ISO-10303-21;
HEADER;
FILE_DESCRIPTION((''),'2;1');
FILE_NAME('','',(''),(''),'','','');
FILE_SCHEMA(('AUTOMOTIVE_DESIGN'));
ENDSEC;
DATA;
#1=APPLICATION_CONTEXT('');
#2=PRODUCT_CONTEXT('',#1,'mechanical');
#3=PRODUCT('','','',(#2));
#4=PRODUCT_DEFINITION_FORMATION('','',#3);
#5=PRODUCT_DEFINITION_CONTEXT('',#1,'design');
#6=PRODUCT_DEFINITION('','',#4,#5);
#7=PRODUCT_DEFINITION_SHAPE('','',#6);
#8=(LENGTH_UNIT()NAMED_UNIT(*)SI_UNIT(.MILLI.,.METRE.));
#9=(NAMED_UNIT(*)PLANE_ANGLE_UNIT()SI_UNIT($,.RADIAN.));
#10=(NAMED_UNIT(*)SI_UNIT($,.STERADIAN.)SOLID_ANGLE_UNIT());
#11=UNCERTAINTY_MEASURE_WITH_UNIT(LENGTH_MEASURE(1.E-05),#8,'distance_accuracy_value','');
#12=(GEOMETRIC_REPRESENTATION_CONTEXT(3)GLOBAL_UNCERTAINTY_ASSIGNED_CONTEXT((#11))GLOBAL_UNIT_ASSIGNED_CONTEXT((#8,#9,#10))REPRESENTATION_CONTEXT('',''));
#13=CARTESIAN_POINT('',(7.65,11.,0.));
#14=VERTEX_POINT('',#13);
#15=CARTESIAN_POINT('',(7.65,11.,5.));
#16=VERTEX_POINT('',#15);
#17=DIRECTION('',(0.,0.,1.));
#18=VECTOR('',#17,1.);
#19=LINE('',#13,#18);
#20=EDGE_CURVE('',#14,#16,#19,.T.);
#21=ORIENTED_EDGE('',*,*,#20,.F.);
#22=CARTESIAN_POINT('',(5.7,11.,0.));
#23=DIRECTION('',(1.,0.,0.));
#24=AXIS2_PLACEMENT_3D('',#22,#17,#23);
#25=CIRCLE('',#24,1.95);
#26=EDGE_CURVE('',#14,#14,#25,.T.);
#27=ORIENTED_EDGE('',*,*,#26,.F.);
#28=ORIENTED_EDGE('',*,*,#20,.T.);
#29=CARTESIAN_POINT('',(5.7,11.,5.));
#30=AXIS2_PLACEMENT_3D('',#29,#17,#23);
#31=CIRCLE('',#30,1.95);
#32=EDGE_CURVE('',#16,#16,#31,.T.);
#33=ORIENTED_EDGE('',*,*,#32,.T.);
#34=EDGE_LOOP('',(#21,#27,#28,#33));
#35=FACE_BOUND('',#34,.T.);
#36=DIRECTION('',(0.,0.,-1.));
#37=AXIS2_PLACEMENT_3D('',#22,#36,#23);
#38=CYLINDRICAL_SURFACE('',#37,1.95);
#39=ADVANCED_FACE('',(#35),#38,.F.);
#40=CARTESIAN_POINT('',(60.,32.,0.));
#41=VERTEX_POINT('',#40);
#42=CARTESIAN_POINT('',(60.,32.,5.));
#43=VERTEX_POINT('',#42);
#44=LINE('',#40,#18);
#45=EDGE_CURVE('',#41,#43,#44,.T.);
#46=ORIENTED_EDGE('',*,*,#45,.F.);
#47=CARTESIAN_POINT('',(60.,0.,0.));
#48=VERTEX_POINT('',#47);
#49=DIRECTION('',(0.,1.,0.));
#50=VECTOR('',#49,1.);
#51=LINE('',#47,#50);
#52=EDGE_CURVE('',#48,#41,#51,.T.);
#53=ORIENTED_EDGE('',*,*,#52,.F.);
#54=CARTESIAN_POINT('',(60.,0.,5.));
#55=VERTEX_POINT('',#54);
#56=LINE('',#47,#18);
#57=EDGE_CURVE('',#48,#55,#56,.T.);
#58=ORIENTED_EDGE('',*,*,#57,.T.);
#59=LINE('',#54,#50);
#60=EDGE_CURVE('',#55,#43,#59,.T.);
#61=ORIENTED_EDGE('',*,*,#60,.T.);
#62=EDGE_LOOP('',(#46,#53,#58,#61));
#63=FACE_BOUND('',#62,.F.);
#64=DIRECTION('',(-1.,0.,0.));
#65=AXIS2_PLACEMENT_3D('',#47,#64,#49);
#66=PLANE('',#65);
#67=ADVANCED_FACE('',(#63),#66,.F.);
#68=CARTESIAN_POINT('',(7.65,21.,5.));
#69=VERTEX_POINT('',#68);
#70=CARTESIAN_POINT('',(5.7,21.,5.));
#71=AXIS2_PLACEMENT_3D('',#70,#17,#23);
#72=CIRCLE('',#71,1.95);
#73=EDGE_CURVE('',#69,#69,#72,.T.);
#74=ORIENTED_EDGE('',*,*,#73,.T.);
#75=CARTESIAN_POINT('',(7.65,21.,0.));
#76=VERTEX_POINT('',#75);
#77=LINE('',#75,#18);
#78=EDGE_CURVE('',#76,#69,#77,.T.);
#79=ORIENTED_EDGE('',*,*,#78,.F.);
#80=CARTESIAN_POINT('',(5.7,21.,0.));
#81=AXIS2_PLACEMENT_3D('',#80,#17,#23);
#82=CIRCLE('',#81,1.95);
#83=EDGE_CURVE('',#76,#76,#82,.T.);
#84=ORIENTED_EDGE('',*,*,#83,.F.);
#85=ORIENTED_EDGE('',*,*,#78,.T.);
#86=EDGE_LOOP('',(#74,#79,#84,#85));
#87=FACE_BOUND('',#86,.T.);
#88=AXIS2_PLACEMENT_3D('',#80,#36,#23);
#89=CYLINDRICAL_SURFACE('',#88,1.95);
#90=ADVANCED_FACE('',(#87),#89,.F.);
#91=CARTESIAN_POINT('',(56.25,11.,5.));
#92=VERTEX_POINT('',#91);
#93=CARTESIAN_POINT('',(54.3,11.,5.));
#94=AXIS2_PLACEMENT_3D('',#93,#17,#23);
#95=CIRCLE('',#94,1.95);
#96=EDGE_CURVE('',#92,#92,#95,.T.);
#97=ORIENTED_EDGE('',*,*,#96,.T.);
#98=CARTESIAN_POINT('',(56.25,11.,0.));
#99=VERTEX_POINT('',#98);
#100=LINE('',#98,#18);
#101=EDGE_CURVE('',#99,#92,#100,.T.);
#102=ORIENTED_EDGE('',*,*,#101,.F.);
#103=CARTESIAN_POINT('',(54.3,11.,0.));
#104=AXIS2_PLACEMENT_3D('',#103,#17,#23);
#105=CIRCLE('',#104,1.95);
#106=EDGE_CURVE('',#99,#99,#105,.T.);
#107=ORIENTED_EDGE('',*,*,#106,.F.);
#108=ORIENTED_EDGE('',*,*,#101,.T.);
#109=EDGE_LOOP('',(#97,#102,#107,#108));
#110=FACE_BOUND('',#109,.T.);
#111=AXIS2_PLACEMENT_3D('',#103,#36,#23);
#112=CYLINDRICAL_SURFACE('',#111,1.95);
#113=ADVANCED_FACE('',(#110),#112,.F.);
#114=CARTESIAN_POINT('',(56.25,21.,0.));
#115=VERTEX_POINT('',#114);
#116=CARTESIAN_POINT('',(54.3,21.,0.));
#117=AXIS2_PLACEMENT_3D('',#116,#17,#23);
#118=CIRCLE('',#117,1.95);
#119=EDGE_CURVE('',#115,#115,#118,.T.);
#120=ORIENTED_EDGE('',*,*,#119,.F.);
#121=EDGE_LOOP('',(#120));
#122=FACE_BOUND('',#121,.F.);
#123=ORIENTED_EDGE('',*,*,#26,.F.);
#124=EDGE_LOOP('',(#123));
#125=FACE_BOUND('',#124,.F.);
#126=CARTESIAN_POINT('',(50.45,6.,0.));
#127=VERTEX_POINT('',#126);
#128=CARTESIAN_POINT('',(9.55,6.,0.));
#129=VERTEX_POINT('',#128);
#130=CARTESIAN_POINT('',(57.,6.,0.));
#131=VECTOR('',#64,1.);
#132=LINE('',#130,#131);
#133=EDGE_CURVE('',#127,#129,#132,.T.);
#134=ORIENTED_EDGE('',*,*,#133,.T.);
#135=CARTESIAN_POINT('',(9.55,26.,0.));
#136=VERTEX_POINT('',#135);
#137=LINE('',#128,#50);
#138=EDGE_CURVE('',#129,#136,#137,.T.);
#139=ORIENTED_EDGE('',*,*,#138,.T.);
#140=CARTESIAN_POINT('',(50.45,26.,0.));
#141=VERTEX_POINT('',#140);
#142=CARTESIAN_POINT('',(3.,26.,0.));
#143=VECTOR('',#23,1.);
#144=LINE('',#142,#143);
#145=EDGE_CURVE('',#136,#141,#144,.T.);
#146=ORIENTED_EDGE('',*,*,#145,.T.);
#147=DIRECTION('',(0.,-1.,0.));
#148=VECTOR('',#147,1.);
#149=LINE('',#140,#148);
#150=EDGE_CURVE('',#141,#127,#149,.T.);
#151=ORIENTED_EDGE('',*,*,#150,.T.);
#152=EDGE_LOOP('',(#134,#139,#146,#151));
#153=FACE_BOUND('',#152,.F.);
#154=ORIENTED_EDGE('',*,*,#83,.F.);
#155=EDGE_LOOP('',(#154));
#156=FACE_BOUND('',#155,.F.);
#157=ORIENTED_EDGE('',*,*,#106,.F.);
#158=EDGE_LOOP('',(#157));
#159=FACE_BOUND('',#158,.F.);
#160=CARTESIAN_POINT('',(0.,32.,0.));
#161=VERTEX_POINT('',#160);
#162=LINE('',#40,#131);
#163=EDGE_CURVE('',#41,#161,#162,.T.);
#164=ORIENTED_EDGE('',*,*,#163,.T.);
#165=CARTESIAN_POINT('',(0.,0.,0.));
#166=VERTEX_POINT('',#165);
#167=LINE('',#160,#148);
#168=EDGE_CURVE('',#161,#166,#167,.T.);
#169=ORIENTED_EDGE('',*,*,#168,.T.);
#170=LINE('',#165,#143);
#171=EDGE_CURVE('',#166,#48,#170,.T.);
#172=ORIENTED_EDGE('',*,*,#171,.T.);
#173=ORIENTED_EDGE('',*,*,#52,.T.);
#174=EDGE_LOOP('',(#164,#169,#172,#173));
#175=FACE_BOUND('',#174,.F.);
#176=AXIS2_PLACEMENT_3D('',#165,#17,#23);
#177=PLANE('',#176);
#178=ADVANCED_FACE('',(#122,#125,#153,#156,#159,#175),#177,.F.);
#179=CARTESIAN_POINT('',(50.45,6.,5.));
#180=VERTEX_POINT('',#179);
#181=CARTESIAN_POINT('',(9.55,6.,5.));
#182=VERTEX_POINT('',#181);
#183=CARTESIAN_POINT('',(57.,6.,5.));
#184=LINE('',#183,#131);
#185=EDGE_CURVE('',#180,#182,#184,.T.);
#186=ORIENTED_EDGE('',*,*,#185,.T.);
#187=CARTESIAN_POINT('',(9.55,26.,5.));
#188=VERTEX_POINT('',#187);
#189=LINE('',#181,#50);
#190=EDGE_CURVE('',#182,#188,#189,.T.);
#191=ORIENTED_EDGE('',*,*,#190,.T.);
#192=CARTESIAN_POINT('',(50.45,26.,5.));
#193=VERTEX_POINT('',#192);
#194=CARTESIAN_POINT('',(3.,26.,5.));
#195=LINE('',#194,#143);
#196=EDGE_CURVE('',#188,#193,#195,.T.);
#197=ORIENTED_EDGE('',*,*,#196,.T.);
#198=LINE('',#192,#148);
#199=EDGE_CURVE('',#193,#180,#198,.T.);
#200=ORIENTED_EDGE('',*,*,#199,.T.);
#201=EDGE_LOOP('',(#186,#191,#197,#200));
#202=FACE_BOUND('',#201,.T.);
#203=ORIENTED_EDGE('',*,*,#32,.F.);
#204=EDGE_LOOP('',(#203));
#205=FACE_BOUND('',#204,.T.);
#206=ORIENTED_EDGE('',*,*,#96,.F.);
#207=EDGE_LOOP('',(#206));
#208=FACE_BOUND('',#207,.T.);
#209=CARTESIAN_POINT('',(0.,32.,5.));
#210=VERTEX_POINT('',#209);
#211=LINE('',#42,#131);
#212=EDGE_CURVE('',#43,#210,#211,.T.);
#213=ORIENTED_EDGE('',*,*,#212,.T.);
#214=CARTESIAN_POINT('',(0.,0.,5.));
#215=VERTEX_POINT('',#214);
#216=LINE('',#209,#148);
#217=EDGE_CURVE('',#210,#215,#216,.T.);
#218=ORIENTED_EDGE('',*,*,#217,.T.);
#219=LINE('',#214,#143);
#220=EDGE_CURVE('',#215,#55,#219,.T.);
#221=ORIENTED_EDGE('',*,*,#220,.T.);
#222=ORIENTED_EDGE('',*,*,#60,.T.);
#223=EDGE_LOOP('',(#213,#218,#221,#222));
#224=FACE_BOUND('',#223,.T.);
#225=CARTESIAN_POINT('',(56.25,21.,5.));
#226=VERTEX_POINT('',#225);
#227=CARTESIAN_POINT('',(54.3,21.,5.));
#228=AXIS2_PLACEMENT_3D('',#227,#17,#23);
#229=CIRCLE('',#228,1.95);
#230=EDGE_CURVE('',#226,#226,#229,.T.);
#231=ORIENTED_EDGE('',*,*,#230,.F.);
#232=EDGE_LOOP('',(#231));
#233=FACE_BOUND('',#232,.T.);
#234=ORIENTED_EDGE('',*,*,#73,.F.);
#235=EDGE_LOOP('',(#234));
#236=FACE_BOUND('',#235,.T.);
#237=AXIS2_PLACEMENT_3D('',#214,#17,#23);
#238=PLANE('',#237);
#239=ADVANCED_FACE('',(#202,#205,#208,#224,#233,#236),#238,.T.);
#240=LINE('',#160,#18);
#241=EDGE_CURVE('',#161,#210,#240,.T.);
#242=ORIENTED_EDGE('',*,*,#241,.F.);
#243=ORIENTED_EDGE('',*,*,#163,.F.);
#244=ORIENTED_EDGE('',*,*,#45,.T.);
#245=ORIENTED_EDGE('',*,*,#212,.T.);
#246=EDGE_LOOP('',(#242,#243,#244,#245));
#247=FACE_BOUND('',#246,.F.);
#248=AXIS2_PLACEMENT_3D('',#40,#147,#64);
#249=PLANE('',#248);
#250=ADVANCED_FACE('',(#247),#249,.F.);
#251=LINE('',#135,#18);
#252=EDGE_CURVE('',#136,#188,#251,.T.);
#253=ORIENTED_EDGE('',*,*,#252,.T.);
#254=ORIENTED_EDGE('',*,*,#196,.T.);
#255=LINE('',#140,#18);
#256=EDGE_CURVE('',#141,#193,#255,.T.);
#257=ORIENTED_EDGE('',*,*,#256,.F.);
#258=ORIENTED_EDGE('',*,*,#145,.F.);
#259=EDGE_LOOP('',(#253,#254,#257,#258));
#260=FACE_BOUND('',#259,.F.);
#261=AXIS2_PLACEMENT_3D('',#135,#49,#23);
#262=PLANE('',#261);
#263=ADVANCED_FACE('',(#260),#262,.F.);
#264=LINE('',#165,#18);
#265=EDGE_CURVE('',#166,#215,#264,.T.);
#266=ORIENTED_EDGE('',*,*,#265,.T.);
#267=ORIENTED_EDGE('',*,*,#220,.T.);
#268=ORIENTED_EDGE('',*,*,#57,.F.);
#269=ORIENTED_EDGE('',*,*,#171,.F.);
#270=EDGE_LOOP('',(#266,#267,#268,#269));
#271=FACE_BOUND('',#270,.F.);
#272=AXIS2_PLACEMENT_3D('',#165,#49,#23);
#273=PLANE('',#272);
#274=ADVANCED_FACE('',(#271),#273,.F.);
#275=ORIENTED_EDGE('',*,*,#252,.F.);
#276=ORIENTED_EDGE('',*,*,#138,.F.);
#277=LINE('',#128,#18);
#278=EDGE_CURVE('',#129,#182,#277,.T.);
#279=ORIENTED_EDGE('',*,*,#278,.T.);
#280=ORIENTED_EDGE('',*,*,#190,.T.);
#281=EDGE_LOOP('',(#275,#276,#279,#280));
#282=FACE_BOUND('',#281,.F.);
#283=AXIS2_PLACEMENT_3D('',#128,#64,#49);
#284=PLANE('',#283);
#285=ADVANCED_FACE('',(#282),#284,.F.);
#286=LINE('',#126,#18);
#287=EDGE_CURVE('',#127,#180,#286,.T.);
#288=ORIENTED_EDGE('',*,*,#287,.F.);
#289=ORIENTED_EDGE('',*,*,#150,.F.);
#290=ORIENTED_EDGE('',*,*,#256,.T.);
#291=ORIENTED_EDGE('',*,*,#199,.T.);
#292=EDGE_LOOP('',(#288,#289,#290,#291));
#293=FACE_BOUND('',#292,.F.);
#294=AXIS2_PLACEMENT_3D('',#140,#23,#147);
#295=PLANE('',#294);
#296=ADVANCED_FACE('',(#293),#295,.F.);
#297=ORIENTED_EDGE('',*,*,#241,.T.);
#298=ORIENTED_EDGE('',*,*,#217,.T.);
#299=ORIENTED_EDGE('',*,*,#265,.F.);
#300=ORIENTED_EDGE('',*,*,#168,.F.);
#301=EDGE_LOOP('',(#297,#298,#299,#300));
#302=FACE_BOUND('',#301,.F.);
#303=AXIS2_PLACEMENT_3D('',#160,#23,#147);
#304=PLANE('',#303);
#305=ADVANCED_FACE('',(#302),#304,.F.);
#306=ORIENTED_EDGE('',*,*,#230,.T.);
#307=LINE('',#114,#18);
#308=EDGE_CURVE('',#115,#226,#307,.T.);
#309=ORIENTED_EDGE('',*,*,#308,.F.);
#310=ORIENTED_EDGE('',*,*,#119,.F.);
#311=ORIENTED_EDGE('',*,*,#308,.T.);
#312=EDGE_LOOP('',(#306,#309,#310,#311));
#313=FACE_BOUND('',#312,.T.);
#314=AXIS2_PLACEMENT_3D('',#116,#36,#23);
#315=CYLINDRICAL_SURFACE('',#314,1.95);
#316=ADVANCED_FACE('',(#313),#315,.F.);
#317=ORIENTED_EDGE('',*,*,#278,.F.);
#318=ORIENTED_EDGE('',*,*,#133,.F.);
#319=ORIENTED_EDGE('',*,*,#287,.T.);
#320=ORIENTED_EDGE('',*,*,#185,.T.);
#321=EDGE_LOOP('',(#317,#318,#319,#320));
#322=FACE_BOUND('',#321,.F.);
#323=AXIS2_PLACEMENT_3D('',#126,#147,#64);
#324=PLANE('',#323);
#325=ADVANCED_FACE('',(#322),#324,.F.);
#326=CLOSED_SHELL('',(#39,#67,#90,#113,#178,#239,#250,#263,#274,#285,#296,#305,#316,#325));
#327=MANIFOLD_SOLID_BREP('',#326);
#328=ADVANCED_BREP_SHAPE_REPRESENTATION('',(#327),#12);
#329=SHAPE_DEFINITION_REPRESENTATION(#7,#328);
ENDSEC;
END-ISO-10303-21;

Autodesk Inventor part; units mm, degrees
ref_plane "YZ Plane" through (0, 0, 0) normal (1, 0, 0) x (0, 1, 0)
ref_plane "XZ Plane" through (0, 0, 0) normal (0, 1, 0) x (-1, 0, 0)
ref_plane "XY Plane" through (0, 0, 0) normal (0, 0, 1) x (1, 0, 0)
sketch "スケッチ2" plane through (0, 0, 0) normal (0, 0, 1) x (1, 0, 0)
  line L0 (0, 0) -> (60, 0)
  line L1 (60, 0) -> (60, 32)
  line L2 (60, 32) -> (0, 32)
  line L3 (0, 32) -> (0, 0)
  line L4 (3, 26) -> (57, 26)
  line L5 (57, 26) -> (57, 6)
  line L6 (57, 6) -> (3, 6)
  line L7 (3, 6) -> (3, 26)
  circle A0 centre (5.7, 21) radius 1.95
  circle A1 centre (5.7, 11) radius 1.95
  circle A2 centre (54.3, 21) radius 1.95
  circle A3 centre (54.3, 11) radius 1.95
  line L8 (9.55, 26) -> (50.45, 26)
  line L9 (50.45, 26) -> (50.45, 6)
  line L10 (50.45, 6) -> (9.55, 6)
  line L11 (9.55, 6) -> (9.55, 26)
  point P0 (30, 0)
  point P1 (9.55, 6)
  dimension "d78" = 20
  dimension "d79" = 3.9
  dimension "d80" = 3.9
  dimension "d81" = 3.9
  dimension "d82" = 3.9
  dimension "d83" = 48.6
  dimension "d84" = 54
  dimension "d85" = 2.7
  dimension "d86" = 2.7
  dimension "d87" = 48.6
  dimension "d88" = 10
  dimension "d89" = 5
  dimension "d90" = 10
  dimension "d91" = 5
  dimension "d92" = 60
  dimension "d93" = 3
  dimension "d94" = 40.9
  dimension "d95" = 6.55
  dimension "d96" = 6.55
  dimension "d97" = 32
  dimension "d98" = 6
extrude "押し出し2" add sketch "スケッチ2" along normal blind 5 contours L3 L2 L1 L0 | L4 L11 L6 L7 | L4 L5 L6 L9
equation "\"d80\" = d79"
equation "\"d81\" = d79"
equation "\"d82\" = d79"
equation "\"d86\" = d85"
equation "\"d87\" = d83"
equation "\"d90\" = d88"
equation "\"d91\" = d89"
properties part number "servo_case"
